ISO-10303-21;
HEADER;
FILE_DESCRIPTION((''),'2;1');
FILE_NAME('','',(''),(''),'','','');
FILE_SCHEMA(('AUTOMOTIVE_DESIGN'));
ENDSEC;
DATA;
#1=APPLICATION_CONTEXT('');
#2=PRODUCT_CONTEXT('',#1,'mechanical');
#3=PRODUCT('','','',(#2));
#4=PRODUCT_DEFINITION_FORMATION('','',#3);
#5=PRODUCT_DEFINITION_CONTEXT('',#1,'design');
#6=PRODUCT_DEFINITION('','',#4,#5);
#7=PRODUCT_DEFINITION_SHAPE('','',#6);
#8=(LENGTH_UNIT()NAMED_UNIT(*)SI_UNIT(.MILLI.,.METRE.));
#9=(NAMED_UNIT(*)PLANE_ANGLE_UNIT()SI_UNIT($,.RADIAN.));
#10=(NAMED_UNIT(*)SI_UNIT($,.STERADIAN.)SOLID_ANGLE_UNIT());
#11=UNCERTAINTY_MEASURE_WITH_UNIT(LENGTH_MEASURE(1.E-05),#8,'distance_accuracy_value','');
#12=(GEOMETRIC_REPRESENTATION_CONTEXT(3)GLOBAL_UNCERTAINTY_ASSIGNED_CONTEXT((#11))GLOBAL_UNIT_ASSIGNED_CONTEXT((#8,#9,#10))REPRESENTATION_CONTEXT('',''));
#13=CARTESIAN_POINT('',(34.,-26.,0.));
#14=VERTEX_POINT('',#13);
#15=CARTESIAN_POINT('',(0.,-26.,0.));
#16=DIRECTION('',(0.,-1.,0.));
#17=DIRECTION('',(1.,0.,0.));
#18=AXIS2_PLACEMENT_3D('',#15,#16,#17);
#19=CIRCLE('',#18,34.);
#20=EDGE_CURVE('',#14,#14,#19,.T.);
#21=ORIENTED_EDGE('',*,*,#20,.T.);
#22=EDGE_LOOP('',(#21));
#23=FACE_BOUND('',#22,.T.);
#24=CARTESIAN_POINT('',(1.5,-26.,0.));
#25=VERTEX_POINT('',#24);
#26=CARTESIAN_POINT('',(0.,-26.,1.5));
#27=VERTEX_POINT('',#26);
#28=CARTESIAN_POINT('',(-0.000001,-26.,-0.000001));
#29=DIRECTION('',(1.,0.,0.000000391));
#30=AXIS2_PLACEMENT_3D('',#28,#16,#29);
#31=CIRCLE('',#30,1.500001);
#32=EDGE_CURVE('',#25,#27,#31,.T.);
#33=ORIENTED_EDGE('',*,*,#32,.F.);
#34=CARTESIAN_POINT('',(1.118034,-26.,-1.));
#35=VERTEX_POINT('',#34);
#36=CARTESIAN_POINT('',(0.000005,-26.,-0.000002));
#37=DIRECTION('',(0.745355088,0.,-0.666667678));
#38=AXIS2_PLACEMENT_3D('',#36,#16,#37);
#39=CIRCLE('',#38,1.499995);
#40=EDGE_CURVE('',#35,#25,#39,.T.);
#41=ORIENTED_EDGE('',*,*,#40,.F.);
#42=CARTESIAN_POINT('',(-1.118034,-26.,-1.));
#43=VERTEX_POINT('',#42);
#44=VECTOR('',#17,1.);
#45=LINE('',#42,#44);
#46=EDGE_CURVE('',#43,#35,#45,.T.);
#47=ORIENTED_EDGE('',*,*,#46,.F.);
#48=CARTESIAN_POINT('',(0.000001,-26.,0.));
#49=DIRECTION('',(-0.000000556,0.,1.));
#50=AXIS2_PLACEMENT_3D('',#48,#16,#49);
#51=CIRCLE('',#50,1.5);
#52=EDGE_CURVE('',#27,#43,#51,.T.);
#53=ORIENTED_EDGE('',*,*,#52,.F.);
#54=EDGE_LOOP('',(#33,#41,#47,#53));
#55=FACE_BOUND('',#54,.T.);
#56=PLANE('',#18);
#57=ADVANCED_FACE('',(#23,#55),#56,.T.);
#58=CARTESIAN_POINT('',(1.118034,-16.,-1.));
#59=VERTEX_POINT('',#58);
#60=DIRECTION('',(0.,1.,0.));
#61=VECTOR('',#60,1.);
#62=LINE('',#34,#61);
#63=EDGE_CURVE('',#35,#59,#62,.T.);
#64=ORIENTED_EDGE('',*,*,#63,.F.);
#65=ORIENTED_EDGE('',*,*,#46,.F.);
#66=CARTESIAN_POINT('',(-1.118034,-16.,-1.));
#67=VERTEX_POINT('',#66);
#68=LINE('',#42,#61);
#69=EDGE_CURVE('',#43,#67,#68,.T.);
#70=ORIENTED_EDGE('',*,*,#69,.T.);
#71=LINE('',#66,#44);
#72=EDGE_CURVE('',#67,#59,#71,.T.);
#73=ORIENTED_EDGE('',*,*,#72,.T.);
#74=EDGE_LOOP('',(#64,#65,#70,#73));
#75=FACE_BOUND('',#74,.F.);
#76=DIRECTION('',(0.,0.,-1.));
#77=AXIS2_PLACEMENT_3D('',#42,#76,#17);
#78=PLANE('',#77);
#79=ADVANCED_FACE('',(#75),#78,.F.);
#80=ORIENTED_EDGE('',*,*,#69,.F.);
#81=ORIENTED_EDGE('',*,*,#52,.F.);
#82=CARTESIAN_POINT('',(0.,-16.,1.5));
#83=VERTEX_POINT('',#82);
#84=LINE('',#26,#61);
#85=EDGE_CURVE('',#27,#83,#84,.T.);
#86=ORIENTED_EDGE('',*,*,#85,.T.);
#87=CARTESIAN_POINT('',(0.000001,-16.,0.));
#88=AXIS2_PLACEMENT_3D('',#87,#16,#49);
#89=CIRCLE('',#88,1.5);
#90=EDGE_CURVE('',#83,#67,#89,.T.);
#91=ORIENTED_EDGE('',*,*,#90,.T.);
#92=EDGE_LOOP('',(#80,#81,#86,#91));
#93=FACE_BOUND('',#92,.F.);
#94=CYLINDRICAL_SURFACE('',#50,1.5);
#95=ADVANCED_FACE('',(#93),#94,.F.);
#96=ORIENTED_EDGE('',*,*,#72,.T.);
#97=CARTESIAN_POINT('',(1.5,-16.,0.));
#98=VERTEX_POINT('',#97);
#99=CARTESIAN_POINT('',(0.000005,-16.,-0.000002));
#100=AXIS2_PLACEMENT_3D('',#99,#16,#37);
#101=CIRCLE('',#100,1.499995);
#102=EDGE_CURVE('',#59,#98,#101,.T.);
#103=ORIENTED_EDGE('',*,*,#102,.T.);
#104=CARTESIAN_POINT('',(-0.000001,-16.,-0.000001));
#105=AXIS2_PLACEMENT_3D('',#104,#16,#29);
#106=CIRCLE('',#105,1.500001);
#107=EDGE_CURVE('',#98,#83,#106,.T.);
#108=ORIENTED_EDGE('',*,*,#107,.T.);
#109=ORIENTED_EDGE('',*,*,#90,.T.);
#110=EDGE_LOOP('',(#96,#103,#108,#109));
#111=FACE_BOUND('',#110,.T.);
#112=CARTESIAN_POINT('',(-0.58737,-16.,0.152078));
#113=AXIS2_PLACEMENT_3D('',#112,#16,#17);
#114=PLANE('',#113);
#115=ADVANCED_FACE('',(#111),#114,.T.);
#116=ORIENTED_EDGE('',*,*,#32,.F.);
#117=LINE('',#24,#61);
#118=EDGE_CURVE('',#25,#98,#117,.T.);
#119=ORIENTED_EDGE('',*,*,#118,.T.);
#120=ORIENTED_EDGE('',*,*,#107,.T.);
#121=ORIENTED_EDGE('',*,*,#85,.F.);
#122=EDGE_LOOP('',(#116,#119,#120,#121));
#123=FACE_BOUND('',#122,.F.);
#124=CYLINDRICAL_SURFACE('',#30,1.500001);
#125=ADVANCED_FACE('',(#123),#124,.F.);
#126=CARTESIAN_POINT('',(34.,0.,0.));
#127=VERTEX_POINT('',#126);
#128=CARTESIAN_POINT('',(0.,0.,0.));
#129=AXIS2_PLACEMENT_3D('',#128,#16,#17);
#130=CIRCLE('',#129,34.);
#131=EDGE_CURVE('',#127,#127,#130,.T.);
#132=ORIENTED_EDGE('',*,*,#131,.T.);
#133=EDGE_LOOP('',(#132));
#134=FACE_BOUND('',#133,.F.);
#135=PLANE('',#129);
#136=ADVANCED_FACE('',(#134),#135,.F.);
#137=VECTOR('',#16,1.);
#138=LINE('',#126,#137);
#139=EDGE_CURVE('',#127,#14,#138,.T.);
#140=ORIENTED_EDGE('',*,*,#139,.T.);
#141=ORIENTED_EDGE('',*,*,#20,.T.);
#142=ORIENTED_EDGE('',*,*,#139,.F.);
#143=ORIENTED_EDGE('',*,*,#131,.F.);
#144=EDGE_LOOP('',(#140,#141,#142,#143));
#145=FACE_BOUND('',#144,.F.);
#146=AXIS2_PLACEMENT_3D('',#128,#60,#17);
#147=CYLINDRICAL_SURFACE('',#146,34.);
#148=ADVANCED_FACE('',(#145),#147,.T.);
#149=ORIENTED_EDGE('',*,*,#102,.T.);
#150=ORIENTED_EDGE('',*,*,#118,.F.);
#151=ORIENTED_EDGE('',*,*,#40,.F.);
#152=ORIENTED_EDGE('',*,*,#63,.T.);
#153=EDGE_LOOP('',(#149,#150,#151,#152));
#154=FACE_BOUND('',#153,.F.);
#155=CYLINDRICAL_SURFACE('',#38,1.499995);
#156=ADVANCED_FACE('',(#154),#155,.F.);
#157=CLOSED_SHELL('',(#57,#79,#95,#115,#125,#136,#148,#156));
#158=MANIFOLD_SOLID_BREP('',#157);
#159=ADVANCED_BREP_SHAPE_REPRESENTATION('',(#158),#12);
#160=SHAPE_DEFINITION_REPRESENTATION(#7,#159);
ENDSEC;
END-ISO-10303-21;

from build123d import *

# Parameters (mm, degrees)
F0_R     = 34
F1_DEPTH = 26
F3_DEPTH = 10


with BuildPart() as f1:
    # F0 (on Front) → F1 (new body)
    with BuildSketch(Plane.XZ):
        Circle(F0_R)
    extrude(amount=F1_DEPTH)

    # F2 (on face) → F3 (cut)
    with BuildSketch(Plane.XZ.offset(26)):
        with BuildLine():
            Line((0, -1), (0, 1.5))
            ThreePointArc((0, 1.5), (-1.369306, 0.612372), (-1.118034, -1))
            Line((-1.118034, -1), (0, -1))
        make_face()
        with BuildLine():
            ThreePointArc((1.118034, -1), (1.401259, -0.535233), (1.5, 0))
            ThreePointArc((1.5, 0), (1.06066, 1.06066), (0, 1.5))
            Line((0, 1.5), (0, -1))
            Line((0, -1), (1.118034, -1))
        make_face()
    extrude(amount=-F3_DEPTH, mode=Mode.SUBTRACT)


solid = f1.part
